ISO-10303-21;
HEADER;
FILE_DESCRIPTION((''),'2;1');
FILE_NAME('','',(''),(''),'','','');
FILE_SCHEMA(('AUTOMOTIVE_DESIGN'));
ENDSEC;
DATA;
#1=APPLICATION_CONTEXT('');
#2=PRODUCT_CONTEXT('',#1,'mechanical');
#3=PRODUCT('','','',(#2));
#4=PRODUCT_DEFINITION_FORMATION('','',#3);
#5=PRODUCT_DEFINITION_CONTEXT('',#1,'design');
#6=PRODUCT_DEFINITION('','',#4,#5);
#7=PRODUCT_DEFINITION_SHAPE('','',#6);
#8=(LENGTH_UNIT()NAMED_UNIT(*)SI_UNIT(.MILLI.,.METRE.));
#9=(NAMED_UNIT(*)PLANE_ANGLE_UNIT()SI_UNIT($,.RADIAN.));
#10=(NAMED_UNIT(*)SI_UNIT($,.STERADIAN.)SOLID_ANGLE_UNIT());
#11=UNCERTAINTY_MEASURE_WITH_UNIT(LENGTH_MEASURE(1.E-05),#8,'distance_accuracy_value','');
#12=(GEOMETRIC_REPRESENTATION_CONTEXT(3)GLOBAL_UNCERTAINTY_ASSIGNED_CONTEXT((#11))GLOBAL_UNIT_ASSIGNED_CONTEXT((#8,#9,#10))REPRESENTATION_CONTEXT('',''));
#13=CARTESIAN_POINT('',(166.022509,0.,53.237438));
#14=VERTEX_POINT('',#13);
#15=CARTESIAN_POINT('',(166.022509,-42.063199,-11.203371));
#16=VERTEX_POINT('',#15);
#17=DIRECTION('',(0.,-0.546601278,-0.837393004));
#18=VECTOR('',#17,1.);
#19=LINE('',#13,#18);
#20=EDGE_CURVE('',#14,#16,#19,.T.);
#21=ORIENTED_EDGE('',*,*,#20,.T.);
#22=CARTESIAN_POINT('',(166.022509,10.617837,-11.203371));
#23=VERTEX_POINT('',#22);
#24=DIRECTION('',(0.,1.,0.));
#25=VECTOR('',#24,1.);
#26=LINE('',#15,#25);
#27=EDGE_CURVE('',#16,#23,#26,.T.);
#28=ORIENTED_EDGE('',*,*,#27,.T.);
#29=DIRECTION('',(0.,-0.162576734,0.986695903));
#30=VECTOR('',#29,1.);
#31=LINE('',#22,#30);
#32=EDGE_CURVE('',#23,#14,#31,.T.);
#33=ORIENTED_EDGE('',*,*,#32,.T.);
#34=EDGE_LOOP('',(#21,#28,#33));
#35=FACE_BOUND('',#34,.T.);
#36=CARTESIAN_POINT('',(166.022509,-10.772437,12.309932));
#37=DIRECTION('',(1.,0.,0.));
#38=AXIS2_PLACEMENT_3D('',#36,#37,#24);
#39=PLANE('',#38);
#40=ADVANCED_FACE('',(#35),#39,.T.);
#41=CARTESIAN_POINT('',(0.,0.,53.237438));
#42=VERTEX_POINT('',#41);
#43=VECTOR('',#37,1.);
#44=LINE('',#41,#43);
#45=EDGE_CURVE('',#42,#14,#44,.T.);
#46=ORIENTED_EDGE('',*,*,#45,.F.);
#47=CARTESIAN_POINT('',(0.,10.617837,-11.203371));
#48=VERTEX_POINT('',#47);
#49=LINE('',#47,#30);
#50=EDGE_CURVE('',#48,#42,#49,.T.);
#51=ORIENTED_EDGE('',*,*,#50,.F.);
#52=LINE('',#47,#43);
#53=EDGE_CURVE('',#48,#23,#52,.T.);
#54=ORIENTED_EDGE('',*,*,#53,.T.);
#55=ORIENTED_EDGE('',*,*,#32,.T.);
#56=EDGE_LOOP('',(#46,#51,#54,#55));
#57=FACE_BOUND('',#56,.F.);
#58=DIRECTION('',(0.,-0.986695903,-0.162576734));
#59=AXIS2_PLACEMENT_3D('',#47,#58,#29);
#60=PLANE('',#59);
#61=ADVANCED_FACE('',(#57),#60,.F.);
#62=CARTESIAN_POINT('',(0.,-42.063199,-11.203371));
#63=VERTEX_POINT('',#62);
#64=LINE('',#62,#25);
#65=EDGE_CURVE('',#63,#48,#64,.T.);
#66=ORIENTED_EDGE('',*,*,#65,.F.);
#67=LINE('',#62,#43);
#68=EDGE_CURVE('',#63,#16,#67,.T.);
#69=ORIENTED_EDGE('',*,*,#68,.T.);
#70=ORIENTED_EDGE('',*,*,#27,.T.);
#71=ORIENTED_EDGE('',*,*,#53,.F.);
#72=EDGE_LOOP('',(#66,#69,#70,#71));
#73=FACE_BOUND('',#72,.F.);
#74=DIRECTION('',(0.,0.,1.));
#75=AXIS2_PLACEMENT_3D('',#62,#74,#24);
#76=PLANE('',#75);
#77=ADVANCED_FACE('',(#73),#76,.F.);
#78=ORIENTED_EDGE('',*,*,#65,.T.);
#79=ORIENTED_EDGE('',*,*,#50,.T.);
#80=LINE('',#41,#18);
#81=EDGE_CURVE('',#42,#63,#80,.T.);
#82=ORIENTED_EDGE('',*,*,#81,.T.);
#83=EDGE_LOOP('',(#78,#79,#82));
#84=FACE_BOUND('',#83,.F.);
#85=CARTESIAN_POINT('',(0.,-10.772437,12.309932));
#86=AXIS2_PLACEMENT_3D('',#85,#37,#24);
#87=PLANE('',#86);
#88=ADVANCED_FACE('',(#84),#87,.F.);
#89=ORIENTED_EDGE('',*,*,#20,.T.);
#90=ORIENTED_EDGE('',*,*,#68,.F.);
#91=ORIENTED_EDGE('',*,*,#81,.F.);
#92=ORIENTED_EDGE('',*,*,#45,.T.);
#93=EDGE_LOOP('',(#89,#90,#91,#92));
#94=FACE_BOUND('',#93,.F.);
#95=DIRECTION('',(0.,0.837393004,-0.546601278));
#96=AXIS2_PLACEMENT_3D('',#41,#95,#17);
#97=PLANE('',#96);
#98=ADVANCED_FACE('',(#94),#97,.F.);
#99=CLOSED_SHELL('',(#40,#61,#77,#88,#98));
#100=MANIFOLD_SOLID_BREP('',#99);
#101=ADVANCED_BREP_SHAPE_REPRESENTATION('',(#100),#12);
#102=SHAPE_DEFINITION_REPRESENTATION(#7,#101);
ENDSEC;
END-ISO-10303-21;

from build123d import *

# Parameters (mm, degrees)
F2_DEPTH = 166.022509


with BuildPart() as f2:
    # F1 (on face) → F2 (new body)
    with BuildSketch(Plane.YZ):
        Polygon((0, 53.237438), (-42.063199, -11.203371), (10.617837, -11.203371), align=None)
    extrude(amount=F2_DEPTH)


solid = f2.part
